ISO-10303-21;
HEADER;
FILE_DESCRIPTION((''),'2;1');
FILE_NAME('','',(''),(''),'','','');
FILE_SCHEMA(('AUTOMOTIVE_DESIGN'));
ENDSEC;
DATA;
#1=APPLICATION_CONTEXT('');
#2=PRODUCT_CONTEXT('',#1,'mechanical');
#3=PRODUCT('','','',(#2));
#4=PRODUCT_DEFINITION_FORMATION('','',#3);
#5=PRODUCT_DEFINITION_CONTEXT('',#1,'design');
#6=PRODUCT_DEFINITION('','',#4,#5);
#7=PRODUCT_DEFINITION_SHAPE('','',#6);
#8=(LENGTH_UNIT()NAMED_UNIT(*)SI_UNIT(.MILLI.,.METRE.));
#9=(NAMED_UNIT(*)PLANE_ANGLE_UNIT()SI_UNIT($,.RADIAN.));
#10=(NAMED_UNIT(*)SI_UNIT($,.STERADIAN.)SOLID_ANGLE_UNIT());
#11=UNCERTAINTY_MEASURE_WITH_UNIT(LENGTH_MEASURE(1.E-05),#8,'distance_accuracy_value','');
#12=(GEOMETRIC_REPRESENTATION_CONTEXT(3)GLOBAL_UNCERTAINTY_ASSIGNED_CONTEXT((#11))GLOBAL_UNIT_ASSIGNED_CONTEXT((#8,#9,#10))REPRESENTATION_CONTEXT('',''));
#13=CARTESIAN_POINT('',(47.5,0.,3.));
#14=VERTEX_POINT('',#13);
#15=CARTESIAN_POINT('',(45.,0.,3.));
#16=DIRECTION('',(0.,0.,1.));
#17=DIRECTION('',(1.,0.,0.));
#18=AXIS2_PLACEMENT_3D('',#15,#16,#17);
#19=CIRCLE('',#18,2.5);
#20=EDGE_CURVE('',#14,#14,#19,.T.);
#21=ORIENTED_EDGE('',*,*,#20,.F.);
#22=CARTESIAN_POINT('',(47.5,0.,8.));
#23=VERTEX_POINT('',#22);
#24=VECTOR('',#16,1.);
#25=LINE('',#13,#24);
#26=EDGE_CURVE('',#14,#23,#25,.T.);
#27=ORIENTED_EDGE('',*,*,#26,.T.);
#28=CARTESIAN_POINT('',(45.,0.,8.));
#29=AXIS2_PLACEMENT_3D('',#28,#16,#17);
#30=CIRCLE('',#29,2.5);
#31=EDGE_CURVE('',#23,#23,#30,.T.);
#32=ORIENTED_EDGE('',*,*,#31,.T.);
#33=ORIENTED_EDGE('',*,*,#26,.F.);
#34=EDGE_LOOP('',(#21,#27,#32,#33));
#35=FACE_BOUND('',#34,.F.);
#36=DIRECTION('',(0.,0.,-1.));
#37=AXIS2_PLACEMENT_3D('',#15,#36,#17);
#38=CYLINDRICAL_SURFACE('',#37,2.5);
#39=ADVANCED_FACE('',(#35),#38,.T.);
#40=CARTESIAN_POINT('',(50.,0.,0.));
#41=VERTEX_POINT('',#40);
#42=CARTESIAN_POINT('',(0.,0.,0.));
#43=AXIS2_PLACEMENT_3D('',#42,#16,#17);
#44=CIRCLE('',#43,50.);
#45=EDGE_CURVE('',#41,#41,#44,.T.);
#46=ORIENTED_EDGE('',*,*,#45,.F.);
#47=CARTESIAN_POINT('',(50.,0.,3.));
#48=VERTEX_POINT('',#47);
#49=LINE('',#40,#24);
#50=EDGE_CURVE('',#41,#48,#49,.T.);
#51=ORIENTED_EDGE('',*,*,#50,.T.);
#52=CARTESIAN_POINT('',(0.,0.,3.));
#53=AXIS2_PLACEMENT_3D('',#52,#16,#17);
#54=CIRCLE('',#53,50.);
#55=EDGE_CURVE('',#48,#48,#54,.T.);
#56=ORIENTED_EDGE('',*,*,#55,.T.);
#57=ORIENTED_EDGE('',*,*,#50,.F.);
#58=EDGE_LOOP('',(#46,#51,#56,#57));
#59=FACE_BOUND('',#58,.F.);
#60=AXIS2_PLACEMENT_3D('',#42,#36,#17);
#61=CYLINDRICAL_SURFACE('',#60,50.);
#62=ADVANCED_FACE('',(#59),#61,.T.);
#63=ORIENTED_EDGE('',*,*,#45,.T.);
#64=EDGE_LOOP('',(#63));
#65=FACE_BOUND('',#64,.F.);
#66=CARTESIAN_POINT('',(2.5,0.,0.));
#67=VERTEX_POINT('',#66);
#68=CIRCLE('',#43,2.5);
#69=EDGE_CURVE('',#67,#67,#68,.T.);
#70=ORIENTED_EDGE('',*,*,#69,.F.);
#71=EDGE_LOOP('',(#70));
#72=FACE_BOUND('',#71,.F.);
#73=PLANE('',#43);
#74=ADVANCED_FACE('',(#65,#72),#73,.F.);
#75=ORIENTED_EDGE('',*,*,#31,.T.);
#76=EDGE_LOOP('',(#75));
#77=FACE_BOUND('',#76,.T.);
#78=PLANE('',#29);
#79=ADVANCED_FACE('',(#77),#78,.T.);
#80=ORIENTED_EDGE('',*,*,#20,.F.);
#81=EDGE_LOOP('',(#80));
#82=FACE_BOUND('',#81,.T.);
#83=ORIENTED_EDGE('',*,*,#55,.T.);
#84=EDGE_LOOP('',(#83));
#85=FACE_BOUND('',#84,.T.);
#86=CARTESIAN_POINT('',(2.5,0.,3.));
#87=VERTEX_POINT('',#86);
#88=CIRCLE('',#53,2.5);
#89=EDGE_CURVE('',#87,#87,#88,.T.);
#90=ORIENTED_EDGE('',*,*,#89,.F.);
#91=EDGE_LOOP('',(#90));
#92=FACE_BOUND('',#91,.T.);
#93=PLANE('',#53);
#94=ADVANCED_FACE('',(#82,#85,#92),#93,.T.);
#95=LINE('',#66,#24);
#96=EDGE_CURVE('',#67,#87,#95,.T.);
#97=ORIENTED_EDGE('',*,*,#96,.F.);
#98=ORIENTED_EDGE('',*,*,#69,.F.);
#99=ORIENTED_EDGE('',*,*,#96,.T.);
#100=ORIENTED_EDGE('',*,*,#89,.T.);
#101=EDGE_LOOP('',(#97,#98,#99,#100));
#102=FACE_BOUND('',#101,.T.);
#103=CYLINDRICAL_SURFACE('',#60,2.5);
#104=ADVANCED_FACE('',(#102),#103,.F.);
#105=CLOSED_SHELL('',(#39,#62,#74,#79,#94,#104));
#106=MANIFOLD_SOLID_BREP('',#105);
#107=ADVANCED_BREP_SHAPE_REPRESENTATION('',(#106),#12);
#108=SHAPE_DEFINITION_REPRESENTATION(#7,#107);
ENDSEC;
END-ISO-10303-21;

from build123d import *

# Parameters (mm, degrees)
SKETCH_R     = 50
SKETCH_R_2   = 2.5
PAD_DEPTH    = 3
SKETCH001_R  = 2.5
PAD001_DEPTH = 5


with BuildPart() as part:
    # Sketch → Pad (new body)
    with BuildSketch(Plane.XY):
        Circle(SKETCH_R)
        Circle(SKETCH_R_2, mode=Mode.SUBTRACT)
    extrude(amount=PAD_DEPTH)

    # Sketch001 (on Face4 of Pad) → Pad001 (join)
    with BuildSketch(Plane.XY.offset(3)):
        with Locations((45, 0)):
            Circle(SKETCH001_R)
    extrude(amount=PAD001_DEPTH)


solid = part.part
